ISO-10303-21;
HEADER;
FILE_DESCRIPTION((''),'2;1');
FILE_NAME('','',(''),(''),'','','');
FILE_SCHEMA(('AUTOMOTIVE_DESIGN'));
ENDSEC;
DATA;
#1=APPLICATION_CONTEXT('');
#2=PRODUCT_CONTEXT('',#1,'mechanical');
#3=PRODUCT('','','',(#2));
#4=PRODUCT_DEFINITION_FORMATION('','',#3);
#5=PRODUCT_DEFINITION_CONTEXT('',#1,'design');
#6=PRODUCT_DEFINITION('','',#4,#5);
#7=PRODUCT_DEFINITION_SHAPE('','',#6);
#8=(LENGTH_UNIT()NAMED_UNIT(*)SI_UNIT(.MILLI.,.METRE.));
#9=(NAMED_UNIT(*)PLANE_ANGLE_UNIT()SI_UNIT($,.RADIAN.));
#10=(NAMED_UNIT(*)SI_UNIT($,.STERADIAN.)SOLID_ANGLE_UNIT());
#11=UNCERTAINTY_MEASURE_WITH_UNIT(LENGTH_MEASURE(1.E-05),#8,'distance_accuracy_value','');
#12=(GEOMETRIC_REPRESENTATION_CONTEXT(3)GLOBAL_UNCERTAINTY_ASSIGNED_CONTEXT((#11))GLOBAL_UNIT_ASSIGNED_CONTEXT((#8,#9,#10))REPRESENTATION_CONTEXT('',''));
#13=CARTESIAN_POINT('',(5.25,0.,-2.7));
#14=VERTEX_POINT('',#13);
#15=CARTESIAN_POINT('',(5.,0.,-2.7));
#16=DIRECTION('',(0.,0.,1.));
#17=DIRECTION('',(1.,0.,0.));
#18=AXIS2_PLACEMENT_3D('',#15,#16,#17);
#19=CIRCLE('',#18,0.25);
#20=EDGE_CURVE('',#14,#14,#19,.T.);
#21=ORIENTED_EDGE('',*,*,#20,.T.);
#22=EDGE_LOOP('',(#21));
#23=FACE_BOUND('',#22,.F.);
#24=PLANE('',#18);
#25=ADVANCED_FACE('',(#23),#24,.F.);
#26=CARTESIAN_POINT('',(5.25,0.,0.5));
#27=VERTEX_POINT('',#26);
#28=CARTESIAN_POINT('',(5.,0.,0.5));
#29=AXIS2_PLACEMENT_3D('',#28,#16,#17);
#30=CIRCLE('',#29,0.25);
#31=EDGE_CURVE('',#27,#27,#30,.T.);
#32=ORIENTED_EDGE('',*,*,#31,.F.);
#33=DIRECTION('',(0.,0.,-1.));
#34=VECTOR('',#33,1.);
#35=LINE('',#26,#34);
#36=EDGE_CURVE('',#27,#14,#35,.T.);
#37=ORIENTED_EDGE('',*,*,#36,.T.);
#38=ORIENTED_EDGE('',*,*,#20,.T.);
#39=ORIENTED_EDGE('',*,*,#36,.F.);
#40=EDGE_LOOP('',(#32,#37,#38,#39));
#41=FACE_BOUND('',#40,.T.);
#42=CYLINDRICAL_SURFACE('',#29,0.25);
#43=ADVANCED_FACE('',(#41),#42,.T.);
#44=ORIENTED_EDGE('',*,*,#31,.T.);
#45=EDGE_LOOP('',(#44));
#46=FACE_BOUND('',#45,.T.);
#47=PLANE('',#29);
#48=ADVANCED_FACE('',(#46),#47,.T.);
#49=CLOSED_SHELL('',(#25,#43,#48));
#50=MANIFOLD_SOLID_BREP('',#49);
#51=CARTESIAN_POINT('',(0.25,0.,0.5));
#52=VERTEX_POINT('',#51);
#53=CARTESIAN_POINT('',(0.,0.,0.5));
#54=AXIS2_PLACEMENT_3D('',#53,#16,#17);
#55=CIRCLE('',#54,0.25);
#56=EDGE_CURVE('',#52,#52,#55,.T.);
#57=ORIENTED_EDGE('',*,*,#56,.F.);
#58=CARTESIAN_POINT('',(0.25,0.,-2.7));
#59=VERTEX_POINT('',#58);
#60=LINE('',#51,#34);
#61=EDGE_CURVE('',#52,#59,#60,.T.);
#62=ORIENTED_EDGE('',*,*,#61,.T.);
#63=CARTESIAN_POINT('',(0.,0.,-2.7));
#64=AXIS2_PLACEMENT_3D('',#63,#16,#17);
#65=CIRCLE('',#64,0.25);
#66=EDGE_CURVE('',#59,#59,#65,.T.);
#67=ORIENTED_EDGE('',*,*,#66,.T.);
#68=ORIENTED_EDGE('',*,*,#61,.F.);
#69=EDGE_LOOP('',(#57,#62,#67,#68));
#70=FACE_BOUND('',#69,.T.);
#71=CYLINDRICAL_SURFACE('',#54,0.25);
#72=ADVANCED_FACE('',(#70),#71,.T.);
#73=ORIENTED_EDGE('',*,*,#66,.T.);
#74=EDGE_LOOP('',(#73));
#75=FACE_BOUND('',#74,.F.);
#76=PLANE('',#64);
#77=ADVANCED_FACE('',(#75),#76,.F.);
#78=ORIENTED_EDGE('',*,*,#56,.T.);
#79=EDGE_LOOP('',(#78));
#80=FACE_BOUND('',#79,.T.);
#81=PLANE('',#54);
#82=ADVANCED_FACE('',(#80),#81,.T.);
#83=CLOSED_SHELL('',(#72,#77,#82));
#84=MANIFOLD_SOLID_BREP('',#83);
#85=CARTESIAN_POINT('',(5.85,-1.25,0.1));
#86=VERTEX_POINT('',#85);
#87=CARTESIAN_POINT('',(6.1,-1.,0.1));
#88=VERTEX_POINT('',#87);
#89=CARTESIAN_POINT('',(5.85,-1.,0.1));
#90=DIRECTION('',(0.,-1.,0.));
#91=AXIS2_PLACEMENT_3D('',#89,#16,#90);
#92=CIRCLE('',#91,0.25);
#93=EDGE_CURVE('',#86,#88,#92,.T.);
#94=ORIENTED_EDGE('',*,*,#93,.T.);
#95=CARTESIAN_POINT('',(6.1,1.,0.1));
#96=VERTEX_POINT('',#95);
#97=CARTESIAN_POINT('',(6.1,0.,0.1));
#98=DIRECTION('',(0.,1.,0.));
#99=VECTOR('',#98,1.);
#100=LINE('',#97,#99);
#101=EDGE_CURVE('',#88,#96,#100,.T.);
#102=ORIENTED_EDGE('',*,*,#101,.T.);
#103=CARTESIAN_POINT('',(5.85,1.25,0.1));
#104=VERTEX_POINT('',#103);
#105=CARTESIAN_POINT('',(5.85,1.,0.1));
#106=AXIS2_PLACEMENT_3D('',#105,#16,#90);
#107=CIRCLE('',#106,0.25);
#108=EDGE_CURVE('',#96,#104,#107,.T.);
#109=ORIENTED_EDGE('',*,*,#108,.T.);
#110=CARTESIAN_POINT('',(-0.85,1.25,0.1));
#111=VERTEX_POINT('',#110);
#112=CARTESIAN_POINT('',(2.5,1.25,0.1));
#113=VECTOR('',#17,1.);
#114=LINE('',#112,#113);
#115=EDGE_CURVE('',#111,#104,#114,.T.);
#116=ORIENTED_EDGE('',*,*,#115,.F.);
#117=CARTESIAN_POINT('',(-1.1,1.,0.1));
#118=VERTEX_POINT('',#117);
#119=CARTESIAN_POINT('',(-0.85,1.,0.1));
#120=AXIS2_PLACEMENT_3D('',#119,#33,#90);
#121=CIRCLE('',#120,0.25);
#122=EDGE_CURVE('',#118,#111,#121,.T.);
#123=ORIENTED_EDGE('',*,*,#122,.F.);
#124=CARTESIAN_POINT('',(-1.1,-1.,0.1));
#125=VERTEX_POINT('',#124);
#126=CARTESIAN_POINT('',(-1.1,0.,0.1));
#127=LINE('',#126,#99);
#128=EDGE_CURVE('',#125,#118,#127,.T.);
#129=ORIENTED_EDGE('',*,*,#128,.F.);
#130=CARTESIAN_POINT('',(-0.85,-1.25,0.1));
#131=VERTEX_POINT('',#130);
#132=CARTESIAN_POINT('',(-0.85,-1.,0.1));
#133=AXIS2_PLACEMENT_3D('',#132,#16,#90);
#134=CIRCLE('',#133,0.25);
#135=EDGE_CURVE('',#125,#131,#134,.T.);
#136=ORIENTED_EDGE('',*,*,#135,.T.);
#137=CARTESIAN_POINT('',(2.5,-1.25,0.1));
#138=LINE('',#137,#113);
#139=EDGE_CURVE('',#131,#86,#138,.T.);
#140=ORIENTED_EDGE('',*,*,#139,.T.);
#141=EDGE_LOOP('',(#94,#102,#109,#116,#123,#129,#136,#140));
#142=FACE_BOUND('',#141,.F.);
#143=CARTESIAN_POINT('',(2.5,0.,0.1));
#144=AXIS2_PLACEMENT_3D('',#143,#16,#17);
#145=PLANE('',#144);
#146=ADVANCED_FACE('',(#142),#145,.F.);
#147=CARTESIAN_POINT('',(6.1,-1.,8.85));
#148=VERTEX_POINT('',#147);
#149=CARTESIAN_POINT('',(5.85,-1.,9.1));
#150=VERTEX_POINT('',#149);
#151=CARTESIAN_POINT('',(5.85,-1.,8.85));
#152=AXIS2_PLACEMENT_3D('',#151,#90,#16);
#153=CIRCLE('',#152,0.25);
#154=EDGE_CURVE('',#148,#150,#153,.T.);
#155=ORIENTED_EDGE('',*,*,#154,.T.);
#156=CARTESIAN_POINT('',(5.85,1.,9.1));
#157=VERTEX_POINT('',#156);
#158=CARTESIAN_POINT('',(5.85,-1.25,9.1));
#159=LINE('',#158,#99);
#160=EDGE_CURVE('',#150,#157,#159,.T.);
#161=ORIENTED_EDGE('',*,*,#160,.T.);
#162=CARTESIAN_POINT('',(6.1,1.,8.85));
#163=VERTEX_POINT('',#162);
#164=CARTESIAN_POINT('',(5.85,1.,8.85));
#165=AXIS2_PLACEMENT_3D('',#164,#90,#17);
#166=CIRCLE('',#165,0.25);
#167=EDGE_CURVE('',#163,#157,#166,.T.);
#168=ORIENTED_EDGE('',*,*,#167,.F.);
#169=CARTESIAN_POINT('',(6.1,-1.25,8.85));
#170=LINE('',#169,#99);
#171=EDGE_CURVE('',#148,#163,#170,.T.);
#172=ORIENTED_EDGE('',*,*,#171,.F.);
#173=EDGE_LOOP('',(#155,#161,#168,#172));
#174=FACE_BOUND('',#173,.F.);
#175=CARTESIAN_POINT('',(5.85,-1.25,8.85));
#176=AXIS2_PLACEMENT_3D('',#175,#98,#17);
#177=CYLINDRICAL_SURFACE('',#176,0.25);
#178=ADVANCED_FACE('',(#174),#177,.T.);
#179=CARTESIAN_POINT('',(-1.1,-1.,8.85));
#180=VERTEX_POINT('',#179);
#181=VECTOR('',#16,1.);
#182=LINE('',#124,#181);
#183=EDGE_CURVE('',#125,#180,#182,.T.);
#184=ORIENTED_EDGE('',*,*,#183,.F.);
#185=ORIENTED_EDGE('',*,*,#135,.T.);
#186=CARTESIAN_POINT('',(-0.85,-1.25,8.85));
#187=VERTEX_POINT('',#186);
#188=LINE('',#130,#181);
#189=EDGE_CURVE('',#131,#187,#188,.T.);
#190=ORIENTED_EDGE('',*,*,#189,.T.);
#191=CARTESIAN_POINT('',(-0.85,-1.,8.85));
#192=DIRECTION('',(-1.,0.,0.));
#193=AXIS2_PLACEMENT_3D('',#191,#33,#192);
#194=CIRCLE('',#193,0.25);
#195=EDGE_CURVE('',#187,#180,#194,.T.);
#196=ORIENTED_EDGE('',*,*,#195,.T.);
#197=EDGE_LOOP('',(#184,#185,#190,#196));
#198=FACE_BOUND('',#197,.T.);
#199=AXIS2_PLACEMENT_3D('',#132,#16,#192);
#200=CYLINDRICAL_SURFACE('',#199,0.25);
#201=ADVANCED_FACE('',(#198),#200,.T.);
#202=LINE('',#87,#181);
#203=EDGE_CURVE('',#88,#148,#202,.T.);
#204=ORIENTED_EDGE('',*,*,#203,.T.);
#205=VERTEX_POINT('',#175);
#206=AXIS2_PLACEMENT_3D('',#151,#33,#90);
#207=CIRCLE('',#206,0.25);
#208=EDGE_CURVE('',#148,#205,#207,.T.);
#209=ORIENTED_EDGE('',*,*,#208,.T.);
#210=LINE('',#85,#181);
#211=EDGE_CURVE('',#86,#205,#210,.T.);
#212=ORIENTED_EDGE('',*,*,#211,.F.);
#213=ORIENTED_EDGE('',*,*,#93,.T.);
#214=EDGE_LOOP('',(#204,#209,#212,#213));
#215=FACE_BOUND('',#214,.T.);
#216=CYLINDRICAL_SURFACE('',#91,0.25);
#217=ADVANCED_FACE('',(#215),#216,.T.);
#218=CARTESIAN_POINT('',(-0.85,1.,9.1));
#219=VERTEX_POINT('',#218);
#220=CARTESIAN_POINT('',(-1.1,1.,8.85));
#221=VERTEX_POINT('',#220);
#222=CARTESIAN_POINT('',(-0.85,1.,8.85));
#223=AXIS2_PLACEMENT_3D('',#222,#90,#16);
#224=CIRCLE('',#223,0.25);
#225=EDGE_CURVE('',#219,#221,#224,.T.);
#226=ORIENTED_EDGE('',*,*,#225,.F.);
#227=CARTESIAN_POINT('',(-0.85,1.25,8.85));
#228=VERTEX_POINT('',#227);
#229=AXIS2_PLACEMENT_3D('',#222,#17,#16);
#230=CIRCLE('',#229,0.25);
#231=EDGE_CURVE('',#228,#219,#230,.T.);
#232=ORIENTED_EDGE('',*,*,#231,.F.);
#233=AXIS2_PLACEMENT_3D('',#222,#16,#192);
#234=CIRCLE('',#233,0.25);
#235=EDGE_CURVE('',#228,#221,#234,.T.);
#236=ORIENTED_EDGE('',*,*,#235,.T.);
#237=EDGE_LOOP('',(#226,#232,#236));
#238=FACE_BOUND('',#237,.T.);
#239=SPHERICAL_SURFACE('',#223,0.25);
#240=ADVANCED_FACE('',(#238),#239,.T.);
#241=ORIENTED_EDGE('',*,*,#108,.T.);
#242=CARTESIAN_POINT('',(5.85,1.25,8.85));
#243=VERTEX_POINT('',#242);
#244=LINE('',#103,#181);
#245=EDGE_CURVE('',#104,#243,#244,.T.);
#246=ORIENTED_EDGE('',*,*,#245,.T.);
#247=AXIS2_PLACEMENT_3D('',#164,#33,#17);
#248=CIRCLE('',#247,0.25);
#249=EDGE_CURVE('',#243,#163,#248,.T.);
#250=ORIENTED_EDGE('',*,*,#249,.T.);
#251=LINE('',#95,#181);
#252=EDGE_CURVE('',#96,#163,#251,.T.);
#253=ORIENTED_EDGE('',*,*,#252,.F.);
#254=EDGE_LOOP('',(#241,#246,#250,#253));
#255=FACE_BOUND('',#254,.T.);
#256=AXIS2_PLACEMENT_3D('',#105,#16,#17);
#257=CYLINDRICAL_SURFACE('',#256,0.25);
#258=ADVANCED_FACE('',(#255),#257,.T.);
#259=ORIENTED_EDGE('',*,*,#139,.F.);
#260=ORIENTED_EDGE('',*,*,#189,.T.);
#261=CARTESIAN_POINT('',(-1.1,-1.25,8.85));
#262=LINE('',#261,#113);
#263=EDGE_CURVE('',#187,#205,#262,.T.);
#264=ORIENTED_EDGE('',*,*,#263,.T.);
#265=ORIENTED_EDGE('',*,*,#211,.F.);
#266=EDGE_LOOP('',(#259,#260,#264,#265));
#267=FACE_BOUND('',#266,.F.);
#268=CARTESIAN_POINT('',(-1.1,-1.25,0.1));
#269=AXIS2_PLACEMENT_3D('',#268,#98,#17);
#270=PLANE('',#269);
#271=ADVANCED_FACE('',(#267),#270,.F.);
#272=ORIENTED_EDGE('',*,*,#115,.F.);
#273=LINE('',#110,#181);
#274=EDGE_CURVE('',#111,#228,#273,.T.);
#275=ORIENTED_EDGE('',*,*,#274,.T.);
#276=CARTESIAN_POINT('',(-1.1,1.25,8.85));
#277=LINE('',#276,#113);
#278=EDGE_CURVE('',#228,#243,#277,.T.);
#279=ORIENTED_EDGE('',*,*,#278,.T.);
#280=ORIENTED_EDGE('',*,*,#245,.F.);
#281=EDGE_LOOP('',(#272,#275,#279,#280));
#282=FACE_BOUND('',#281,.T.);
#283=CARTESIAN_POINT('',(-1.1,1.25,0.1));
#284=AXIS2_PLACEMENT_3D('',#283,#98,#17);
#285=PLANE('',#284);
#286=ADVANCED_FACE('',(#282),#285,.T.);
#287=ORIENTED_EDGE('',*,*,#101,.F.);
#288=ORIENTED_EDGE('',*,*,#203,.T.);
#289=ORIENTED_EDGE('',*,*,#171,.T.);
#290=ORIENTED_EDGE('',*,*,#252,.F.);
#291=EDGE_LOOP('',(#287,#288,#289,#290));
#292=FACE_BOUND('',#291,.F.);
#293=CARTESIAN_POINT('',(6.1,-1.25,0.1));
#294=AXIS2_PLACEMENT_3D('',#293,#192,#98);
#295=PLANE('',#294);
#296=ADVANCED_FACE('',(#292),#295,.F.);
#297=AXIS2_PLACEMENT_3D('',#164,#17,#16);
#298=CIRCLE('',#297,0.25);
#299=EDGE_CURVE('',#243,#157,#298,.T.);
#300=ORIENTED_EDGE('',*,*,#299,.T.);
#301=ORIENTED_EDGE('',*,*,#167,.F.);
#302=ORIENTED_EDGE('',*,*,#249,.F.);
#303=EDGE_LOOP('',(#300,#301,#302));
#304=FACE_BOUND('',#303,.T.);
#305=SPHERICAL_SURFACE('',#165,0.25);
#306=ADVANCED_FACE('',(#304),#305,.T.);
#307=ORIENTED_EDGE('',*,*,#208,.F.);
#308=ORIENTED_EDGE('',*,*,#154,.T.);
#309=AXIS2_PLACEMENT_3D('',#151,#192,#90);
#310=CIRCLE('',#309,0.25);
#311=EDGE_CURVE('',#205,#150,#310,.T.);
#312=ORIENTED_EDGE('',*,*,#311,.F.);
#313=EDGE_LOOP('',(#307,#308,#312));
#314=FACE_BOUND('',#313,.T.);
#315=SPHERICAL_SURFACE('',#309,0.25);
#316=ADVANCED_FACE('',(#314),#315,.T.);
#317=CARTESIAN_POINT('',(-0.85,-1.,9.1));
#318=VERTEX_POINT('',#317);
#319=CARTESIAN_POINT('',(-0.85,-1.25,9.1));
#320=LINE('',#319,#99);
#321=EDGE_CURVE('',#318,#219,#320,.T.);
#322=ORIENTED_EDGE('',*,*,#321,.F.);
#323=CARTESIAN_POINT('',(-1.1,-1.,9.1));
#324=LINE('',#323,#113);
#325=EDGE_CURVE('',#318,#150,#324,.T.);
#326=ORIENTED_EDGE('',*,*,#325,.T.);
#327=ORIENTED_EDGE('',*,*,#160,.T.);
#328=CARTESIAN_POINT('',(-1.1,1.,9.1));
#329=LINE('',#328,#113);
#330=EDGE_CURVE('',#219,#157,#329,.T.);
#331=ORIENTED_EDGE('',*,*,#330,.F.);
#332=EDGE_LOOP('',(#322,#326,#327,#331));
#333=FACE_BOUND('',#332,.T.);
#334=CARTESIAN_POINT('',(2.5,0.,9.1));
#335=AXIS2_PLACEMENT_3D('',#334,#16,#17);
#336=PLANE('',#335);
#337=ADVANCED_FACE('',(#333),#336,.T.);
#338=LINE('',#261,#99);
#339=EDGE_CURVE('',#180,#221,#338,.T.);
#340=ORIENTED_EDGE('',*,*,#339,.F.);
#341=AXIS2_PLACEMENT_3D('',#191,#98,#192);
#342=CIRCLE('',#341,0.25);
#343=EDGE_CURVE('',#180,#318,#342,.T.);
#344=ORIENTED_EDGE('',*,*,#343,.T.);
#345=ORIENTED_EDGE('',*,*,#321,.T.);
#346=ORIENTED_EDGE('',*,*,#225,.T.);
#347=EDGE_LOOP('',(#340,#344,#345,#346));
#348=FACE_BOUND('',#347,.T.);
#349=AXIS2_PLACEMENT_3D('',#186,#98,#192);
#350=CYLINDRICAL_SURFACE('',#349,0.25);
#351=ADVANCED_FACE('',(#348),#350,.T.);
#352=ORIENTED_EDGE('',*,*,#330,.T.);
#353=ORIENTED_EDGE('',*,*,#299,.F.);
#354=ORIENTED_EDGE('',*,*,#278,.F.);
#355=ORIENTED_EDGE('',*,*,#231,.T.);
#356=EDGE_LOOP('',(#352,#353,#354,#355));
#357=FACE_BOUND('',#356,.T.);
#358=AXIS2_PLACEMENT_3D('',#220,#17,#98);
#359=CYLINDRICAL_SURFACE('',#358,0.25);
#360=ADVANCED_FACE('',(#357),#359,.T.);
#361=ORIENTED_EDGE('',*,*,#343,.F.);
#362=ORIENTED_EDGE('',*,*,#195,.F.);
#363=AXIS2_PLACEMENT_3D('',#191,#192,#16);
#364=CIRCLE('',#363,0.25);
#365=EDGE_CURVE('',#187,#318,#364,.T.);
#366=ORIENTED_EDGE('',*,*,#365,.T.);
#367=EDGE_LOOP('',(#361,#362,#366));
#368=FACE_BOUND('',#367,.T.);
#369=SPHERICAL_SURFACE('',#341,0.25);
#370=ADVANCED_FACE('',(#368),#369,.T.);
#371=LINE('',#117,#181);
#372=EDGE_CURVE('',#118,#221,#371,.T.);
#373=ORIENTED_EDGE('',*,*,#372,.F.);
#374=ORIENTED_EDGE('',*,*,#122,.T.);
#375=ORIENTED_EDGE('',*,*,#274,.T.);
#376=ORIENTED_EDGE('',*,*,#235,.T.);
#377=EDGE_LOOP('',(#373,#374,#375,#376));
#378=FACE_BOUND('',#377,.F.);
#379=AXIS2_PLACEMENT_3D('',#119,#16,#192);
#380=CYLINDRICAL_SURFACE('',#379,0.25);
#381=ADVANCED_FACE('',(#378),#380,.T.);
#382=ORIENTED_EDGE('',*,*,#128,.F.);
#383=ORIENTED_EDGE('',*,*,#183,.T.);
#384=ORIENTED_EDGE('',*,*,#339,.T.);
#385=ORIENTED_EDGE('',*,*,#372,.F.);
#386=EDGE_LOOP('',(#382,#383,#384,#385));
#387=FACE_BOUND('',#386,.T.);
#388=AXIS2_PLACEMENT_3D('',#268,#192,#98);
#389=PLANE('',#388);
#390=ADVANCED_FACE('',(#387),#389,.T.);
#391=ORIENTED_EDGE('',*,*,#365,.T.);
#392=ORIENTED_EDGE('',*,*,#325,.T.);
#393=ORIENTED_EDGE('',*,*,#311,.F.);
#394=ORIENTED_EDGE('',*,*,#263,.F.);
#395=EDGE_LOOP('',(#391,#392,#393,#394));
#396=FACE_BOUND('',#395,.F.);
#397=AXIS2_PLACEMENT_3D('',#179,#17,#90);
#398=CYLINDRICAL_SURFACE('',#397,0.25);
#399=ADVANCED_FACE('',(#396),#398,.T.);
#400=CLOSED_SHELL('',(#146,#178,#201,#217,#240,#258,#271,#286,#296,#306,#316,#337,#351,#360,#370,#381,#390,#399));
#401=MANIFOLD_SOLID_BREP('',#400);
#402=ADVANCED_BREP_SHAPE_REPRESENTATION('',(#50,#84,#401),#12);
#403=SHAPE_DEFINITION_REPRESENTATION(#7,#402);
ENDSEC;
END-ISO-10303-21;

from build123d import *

# Parameters (mm, degrees)
SKETCH_W     = 7.2
SKETCH_H     = 2.5
PAD_DEPTH    = 9
FILLET_R     = 0.25
SKETCH001_R  = 0.25
PAD001_DEPTH = 3.2


with BuildPart() as fillet_body:
    # Sketch → Pad (new body)
    with BuildSketch(Plane.XY.offset(0.1)):
        with Locations((2.5, 0)):
            Rectangle(SKETCH_W, SKETCH_H)
    extrude(amount=PAD_DEPTH)

    # Fillet
    fillet_edges = [fillet_body.edges().sort_by_distance(p)[0] for p in [
        (-1.1, 0, 9.1),
        (-1.1, -1.25, 4.6),
        (2.5, -1.25, 9.1),
        (6.1, -1.25, 4.6),
        (6.1, 0, 9.1),
        (6.1, 1.25, 4.6),
        (2.5, 1.25, 9.1),
        (-1.1, 1.25, 4.6),
    ]]
    fillet(fillet_edges, radius=FILLET_R)


with BuildPart() as pad001:
    # Sketch001 → Pad001 (new body)
    with BuildSketch(Plane.XY.offset(0.5)):
        Circle(SKETCH001_R)
        with Locations((5, 0)):
            Circle(SKETCH001_R)
    extrude(amount=-PAD001_DEPTH)


solid = Compound([fillet_body.part, pad001.part])
